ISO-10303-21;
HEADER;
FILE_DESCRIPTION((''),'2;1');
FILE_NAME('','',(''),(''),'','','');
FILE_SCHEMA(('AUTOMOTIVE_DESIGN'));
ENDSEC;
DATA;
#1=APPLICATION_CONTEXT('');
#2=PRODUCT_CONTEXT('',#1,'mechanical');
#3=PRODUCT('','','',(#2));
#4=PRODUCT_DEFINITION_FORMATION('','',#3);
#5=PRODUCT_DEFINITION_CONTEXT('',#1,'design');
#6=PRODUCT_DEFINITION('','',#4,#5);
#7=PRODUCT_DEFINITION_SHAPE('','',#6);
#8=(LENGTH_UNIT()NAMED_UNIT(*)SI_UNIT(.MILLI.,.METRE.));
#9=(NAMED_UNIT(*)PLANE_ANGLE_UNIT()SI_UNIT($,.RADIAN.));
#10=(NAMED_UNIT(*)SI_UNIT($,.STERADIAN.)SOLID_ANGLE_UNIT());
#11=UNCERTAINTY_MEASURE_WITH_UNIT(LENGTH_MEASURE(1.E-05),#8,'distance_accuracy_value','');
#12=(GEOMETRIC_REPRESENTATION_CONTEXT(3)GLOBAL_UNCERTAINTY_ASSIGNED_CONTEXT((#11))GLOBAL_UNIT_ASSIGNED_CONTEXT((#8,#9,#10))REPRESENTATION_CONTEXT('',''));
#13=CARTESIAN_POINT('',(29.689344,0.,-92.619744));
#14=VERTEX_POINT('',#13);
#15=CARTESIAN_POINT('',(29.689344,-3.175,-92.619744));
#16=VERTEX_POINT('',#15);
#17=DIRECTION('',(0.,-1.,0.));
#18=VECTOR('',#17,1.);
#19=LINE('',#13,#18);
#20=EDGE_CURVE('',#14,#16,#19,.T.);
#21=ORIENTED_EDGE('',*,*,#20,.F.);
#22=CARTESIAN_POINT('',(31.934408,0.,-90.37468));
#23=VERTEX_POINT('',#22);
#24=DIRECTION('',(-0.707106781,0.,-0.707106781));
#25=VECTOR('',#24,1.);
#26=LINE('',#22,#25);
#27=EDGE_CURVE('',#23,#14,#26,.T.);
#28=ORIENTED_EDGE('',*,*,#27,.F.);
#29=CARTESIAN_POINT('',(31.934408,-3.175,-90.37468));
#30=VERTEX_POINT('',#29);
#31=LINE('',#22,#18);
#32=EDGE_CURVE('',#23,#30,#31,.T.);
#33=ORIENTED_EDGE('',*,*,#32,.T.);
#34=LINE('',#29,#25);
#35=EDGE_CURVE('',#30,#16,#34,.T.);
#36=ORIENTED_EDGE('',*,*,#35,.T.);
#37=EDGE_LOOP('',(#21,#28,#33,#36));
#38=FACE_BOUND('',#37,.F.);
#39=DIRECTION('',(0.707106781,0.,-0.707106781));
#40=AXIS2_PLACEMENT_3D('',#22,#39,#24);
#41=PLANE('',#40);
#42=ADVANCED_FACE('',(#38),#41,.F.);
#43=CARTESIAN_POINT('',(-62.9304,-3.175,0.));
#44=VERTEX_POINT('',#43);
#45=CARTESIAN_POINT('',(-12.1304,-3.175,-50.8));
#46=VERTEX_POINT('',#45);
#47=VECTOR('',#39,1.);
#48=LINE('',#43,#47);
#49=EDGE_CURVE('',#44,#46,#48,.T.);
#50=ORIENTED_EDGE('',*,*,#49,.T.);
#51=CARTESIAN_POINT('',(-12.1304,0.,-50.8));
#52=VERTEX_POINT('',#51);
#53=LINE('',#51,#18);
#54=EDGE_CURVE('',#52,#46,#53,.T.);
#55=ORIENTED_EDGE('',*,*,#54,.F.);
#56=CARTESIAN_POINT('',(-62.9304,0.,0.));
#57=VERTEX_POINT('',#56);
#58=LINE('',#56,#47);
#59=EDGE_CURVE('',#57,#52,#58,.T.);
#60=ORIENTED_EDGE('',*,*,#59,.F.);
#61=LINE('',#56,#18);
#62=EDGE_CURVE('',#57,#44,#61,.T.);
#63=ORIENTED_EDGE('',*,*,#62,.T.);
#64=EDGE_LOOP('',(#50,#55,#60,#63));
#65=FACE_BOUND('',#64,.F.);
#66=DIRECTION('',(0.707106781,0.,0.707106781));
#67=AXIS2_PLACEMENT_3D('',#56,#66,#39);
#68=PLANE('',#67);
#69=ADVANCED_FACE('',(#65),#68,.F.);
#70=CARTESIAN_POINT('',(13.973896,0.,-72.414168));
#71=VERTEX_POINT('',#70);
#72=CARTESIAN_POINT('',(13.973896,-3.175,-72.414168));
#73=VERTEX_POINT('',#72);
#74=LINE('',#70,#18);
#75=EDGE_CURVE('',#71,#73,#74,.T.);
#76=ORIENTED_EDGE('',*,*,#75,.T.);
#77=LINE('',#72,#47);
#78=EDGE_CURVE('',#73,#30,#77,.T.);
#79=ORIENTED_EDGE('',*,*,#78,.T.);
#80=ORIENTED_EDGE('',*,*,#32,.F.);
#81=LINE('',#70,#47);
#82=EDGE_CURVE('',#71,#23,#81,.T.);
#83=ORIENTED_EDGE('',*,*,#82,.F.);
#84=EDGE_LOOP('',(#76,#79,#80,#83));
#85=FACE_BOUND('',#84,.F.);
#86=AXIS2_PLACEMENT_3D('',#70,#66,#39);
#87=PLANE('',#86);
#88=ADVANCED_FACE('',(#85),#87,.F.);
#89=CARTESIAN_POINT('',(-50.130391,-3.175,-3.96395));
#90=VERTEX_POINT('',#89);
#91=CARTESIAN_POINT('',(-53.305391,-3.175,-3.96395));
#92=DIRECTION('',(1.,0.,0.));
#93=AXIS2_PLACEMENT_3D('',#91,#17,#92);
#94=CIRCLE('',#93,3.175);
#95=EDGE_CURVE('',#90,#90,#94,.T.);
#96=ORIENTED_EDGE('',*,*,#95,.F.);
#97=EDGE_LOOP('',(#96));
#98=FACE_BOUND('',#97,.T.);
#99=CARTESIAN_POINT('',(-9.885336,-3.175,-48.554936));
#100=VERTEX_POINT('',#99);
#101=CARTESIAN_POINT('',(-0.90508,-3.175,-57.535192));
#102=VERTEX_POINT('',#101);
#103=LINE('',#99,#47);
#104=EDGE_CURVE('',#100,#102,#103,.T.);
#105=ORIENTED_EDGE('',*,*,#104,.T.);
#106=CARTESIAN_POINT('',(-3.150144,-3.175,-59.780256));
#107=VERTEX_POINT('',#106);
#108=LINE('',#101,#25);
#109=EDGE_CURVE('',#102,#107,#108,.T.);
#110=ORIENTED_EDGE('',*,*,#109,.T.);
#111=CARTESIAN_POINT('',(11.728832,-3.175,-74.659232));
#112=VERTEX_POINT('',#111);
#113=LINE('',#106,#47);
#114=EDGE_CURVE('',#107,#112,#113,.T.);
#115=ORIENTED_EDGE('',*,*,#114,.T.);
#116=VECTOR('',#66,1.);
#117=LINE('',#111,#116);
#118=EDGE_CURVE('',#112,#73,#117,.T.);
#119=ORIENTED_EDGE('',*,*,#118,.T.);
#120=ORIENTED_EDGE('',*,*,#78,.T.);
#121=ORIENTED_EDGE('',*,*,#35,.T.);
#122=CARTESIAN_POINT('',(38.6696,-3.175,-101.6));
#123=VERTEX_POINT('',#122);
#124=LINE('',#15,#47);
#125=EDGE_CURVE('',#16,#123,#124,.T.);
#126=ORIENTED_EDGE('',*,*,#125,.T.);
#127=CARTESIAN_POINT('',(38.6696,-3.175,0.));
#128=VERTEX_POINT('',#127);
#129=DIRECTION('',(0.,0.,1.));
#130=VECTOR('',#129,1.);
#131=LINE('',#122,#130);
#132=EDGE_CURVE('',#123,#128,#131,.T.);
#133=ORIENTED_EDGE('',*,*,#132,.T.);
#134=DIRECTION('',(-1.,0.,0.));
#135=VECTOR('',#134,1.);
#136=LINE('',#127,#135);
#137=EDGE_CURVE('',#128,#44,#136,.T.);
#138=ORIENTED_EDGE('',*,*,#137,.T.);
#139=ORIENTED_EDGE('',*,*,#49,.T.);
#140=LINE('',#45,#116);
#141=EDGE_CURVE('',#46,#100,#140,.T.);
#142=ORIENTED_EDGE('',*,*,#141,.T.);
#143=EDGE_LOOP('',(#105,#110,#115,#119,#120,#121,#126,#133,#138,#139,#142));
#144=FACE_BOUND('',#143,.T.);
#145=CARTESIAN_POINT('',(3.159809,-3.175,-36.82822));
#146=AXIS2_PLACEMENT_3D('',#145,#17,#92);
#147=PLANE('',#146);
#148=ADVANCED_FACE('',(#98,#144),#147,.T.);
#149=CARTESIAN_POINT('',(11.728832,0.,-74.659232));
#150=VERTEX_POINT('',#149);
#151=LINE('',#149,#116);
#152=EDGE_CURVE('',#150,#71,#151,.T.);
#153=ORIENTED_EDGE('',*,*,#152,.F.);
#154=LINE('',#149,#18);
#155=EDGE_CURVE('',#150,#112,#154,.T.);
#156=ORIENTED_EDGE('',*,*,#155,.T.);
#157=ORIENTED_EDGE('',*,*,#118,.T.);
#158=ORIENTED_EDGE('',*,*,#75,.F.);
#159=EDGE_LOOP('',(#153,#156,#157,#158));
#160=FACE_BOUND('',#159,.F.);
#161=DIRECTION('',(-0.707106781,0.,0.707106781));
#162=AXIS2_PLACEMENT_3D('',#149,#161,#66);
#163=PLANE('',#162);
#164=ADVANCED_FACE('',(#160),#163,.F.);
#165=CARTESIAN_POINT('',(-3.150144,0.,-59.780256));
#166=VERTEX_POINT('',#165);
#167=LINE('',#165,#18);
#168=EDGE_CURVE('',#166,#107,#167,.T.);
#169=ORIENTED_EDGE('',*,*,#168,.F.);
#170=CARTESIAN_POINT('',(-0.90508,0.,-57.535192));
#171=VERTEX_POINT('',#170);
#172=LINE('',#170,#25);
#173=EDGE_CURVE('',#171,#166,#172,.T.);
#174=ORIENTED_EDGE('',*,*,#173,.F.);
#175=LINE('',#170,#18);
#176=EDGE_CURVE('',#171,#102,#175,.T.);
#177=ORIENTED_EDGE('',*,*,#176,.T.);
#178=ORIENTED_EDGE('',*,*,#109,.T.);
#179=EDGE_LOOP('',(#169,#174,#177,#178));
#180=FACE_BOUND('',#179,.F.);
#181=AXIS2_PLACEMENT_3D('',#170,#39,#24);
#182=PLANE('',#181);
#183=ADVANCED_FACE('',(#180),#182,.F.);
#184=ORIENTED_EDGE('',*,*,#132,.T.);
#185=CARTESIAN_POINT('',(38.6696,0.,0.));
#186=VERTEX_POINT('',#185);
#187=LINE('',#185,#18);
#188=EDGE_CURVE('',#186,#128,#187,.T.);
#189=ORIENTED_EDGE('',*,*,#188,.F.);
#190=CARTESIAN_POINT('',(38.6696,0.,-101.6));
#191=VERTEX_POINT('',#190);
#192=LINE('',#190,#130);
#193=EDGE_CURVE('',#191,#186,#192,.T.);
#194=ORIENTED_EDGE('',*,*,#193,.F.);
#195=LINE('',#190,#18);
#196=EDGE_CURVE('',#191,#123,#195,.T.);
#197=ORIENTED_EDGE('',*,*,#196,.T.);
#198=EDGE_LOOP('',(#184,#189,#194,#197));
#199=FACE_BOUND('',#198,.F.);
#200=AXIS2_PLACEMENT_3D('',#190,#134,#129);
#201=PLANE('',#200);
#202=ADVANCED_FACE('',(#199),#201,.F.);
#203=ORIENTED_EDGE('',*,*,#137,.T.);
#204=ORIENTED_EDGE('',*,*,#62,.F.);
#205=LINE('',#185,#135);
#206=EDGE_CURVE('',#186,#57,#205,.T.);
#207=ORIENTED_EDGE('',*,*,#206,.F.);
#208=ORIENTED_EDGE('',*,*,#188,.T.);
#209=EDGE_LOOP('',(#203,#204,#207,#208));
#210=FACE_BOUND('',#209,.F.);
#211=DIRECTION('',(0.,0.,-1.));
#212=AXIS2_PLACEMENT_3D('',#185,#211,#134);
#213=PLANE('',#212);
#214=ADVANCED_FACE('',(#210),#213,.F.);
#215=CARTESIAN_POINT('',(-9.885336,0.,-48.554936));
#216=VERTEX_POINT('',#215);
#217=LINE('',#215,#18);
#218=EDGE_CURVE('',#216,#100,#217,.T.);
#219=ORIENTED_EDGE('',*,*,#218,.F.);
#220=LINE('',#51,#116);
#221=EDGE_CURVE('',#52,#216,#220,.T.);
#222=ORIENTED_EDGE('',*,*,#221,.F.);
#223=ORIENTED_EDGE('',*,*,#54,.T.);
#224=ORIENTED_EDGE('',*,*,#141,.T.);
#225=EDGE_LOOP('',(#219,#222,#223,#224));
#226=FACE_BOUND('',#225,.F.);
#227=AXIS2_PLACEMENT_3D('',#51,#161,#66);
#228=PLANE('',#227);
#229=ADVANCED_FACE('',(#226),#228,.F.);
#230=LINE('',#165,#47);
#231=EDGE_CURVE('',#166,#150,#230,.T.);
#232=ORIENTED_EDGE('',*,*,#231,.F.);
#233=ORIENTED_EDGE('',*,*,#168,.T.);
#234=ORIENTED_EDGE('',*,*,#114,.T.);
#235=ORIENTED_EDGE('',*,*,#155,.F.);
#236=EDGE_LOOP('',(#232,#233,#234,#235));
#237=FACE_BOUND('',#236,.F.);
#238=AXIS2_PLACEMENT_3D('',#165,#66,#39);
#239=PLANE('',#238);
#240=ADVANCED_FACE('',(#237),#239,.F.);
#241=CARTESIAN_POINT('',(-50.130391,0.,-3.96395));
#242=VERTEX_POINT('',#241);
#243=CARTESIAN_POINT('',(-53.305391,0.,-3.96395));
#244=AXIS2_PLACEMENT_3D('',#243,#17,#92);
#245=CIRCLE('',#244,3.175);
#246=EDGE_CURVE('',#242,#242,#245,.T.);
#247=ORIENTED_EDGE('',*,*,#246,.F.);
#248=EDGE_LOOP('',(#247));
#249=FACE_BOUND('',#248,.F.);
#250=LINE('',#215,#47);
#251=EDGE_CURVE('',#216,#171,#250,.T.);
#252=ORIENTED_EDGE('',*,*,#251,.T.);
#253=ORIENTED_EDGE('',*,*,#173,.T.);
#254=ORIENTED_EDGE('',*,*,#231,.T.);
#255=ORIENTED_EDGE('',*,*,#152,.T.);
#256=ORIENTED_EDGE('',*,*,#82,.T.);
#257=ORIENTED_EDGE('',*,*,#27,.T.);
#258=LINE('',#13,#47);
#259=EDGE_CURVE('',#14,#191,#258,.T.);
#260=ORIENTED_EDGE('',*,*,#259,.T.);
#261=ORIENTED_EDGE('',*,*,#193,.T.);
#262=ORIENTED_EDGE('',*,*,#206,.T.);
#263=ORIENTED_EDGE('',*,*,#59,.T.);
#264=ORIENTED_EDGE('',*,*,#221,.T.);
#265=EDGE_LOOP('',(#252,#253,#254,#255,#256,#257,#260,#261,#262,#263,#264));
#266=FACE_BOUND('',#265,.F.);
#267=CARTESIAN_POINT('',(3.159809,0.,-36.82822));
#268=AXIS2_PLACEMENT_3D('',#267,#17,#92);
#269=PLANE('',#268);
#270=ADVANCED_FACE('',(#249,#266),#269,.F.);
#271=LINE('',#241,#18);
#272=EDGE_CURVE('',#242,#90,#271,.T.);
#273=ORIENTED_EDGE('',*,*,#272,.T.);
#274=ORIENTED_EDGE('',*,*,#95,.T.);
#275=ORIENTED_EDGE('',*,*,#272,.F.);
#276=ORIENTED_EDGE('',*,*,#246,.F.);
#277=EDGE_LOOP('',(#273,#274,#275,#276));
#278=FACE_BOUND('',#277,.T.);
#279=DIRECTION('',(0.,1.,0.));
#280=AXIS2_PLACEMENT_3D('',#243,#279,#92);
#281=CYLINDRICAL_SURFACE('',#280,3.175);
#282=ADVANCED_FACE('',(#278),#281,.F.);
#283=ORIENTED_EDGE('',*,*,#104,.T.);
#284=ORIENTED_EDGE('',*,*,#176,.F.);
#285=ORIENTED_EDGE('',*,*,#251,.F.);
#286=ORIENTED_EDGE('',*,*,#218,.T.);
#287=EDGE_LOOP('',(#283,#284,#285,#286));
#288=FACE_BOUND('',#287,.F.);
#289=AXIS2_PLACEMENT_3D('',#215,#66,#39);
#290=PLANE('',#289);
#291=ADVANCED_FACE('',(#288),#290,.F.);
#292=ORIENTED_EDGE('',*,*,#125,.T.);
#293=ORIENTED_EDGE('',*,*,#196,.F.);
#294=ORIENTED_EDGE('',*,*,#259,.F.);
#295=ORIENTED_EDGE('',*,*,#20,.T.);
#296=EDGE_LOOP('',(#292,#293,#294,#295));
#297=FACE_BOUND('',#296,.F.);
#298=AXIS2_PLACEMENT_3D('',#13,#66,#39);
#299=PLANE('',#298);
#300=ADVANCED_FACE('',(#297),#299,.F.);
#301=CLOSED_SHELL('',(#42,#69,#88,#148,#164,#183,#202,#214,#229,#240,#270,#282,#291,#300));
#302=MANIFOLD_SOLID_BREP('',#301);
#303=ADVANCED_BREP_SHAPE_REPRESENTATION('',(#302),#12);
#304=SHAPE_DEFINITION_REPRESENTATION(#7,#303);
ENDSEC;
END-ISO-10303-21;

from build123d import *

# Parameters (mm, degrees)
F0_R     = 3.175
F1_DEPTH = 3.175


with BuildPart() as f1:
    # F0 (on Front) → F1 (new body)
    with BuildSketch(Plane.XZ):
        Polygon((38.6696, 0), (-62.9304, 0), (-12.1304, -50.8), (-9.885336, -48.554936), (-0.90508, -57.535192), (-3.150144, -59.780256), (11.728832, -74.659232), (13.973896, -72.414168), (31.934408, -90.37468), (29.689344, -92.619744), (38.6696, -101.6), align=None)
        with Locations((-53.305391, -3.96395)):
            Circle(F0_R, mode=Mode.SUBTRACT)
    extrude(amount=F1_DEPTH)


solid = f1.part
